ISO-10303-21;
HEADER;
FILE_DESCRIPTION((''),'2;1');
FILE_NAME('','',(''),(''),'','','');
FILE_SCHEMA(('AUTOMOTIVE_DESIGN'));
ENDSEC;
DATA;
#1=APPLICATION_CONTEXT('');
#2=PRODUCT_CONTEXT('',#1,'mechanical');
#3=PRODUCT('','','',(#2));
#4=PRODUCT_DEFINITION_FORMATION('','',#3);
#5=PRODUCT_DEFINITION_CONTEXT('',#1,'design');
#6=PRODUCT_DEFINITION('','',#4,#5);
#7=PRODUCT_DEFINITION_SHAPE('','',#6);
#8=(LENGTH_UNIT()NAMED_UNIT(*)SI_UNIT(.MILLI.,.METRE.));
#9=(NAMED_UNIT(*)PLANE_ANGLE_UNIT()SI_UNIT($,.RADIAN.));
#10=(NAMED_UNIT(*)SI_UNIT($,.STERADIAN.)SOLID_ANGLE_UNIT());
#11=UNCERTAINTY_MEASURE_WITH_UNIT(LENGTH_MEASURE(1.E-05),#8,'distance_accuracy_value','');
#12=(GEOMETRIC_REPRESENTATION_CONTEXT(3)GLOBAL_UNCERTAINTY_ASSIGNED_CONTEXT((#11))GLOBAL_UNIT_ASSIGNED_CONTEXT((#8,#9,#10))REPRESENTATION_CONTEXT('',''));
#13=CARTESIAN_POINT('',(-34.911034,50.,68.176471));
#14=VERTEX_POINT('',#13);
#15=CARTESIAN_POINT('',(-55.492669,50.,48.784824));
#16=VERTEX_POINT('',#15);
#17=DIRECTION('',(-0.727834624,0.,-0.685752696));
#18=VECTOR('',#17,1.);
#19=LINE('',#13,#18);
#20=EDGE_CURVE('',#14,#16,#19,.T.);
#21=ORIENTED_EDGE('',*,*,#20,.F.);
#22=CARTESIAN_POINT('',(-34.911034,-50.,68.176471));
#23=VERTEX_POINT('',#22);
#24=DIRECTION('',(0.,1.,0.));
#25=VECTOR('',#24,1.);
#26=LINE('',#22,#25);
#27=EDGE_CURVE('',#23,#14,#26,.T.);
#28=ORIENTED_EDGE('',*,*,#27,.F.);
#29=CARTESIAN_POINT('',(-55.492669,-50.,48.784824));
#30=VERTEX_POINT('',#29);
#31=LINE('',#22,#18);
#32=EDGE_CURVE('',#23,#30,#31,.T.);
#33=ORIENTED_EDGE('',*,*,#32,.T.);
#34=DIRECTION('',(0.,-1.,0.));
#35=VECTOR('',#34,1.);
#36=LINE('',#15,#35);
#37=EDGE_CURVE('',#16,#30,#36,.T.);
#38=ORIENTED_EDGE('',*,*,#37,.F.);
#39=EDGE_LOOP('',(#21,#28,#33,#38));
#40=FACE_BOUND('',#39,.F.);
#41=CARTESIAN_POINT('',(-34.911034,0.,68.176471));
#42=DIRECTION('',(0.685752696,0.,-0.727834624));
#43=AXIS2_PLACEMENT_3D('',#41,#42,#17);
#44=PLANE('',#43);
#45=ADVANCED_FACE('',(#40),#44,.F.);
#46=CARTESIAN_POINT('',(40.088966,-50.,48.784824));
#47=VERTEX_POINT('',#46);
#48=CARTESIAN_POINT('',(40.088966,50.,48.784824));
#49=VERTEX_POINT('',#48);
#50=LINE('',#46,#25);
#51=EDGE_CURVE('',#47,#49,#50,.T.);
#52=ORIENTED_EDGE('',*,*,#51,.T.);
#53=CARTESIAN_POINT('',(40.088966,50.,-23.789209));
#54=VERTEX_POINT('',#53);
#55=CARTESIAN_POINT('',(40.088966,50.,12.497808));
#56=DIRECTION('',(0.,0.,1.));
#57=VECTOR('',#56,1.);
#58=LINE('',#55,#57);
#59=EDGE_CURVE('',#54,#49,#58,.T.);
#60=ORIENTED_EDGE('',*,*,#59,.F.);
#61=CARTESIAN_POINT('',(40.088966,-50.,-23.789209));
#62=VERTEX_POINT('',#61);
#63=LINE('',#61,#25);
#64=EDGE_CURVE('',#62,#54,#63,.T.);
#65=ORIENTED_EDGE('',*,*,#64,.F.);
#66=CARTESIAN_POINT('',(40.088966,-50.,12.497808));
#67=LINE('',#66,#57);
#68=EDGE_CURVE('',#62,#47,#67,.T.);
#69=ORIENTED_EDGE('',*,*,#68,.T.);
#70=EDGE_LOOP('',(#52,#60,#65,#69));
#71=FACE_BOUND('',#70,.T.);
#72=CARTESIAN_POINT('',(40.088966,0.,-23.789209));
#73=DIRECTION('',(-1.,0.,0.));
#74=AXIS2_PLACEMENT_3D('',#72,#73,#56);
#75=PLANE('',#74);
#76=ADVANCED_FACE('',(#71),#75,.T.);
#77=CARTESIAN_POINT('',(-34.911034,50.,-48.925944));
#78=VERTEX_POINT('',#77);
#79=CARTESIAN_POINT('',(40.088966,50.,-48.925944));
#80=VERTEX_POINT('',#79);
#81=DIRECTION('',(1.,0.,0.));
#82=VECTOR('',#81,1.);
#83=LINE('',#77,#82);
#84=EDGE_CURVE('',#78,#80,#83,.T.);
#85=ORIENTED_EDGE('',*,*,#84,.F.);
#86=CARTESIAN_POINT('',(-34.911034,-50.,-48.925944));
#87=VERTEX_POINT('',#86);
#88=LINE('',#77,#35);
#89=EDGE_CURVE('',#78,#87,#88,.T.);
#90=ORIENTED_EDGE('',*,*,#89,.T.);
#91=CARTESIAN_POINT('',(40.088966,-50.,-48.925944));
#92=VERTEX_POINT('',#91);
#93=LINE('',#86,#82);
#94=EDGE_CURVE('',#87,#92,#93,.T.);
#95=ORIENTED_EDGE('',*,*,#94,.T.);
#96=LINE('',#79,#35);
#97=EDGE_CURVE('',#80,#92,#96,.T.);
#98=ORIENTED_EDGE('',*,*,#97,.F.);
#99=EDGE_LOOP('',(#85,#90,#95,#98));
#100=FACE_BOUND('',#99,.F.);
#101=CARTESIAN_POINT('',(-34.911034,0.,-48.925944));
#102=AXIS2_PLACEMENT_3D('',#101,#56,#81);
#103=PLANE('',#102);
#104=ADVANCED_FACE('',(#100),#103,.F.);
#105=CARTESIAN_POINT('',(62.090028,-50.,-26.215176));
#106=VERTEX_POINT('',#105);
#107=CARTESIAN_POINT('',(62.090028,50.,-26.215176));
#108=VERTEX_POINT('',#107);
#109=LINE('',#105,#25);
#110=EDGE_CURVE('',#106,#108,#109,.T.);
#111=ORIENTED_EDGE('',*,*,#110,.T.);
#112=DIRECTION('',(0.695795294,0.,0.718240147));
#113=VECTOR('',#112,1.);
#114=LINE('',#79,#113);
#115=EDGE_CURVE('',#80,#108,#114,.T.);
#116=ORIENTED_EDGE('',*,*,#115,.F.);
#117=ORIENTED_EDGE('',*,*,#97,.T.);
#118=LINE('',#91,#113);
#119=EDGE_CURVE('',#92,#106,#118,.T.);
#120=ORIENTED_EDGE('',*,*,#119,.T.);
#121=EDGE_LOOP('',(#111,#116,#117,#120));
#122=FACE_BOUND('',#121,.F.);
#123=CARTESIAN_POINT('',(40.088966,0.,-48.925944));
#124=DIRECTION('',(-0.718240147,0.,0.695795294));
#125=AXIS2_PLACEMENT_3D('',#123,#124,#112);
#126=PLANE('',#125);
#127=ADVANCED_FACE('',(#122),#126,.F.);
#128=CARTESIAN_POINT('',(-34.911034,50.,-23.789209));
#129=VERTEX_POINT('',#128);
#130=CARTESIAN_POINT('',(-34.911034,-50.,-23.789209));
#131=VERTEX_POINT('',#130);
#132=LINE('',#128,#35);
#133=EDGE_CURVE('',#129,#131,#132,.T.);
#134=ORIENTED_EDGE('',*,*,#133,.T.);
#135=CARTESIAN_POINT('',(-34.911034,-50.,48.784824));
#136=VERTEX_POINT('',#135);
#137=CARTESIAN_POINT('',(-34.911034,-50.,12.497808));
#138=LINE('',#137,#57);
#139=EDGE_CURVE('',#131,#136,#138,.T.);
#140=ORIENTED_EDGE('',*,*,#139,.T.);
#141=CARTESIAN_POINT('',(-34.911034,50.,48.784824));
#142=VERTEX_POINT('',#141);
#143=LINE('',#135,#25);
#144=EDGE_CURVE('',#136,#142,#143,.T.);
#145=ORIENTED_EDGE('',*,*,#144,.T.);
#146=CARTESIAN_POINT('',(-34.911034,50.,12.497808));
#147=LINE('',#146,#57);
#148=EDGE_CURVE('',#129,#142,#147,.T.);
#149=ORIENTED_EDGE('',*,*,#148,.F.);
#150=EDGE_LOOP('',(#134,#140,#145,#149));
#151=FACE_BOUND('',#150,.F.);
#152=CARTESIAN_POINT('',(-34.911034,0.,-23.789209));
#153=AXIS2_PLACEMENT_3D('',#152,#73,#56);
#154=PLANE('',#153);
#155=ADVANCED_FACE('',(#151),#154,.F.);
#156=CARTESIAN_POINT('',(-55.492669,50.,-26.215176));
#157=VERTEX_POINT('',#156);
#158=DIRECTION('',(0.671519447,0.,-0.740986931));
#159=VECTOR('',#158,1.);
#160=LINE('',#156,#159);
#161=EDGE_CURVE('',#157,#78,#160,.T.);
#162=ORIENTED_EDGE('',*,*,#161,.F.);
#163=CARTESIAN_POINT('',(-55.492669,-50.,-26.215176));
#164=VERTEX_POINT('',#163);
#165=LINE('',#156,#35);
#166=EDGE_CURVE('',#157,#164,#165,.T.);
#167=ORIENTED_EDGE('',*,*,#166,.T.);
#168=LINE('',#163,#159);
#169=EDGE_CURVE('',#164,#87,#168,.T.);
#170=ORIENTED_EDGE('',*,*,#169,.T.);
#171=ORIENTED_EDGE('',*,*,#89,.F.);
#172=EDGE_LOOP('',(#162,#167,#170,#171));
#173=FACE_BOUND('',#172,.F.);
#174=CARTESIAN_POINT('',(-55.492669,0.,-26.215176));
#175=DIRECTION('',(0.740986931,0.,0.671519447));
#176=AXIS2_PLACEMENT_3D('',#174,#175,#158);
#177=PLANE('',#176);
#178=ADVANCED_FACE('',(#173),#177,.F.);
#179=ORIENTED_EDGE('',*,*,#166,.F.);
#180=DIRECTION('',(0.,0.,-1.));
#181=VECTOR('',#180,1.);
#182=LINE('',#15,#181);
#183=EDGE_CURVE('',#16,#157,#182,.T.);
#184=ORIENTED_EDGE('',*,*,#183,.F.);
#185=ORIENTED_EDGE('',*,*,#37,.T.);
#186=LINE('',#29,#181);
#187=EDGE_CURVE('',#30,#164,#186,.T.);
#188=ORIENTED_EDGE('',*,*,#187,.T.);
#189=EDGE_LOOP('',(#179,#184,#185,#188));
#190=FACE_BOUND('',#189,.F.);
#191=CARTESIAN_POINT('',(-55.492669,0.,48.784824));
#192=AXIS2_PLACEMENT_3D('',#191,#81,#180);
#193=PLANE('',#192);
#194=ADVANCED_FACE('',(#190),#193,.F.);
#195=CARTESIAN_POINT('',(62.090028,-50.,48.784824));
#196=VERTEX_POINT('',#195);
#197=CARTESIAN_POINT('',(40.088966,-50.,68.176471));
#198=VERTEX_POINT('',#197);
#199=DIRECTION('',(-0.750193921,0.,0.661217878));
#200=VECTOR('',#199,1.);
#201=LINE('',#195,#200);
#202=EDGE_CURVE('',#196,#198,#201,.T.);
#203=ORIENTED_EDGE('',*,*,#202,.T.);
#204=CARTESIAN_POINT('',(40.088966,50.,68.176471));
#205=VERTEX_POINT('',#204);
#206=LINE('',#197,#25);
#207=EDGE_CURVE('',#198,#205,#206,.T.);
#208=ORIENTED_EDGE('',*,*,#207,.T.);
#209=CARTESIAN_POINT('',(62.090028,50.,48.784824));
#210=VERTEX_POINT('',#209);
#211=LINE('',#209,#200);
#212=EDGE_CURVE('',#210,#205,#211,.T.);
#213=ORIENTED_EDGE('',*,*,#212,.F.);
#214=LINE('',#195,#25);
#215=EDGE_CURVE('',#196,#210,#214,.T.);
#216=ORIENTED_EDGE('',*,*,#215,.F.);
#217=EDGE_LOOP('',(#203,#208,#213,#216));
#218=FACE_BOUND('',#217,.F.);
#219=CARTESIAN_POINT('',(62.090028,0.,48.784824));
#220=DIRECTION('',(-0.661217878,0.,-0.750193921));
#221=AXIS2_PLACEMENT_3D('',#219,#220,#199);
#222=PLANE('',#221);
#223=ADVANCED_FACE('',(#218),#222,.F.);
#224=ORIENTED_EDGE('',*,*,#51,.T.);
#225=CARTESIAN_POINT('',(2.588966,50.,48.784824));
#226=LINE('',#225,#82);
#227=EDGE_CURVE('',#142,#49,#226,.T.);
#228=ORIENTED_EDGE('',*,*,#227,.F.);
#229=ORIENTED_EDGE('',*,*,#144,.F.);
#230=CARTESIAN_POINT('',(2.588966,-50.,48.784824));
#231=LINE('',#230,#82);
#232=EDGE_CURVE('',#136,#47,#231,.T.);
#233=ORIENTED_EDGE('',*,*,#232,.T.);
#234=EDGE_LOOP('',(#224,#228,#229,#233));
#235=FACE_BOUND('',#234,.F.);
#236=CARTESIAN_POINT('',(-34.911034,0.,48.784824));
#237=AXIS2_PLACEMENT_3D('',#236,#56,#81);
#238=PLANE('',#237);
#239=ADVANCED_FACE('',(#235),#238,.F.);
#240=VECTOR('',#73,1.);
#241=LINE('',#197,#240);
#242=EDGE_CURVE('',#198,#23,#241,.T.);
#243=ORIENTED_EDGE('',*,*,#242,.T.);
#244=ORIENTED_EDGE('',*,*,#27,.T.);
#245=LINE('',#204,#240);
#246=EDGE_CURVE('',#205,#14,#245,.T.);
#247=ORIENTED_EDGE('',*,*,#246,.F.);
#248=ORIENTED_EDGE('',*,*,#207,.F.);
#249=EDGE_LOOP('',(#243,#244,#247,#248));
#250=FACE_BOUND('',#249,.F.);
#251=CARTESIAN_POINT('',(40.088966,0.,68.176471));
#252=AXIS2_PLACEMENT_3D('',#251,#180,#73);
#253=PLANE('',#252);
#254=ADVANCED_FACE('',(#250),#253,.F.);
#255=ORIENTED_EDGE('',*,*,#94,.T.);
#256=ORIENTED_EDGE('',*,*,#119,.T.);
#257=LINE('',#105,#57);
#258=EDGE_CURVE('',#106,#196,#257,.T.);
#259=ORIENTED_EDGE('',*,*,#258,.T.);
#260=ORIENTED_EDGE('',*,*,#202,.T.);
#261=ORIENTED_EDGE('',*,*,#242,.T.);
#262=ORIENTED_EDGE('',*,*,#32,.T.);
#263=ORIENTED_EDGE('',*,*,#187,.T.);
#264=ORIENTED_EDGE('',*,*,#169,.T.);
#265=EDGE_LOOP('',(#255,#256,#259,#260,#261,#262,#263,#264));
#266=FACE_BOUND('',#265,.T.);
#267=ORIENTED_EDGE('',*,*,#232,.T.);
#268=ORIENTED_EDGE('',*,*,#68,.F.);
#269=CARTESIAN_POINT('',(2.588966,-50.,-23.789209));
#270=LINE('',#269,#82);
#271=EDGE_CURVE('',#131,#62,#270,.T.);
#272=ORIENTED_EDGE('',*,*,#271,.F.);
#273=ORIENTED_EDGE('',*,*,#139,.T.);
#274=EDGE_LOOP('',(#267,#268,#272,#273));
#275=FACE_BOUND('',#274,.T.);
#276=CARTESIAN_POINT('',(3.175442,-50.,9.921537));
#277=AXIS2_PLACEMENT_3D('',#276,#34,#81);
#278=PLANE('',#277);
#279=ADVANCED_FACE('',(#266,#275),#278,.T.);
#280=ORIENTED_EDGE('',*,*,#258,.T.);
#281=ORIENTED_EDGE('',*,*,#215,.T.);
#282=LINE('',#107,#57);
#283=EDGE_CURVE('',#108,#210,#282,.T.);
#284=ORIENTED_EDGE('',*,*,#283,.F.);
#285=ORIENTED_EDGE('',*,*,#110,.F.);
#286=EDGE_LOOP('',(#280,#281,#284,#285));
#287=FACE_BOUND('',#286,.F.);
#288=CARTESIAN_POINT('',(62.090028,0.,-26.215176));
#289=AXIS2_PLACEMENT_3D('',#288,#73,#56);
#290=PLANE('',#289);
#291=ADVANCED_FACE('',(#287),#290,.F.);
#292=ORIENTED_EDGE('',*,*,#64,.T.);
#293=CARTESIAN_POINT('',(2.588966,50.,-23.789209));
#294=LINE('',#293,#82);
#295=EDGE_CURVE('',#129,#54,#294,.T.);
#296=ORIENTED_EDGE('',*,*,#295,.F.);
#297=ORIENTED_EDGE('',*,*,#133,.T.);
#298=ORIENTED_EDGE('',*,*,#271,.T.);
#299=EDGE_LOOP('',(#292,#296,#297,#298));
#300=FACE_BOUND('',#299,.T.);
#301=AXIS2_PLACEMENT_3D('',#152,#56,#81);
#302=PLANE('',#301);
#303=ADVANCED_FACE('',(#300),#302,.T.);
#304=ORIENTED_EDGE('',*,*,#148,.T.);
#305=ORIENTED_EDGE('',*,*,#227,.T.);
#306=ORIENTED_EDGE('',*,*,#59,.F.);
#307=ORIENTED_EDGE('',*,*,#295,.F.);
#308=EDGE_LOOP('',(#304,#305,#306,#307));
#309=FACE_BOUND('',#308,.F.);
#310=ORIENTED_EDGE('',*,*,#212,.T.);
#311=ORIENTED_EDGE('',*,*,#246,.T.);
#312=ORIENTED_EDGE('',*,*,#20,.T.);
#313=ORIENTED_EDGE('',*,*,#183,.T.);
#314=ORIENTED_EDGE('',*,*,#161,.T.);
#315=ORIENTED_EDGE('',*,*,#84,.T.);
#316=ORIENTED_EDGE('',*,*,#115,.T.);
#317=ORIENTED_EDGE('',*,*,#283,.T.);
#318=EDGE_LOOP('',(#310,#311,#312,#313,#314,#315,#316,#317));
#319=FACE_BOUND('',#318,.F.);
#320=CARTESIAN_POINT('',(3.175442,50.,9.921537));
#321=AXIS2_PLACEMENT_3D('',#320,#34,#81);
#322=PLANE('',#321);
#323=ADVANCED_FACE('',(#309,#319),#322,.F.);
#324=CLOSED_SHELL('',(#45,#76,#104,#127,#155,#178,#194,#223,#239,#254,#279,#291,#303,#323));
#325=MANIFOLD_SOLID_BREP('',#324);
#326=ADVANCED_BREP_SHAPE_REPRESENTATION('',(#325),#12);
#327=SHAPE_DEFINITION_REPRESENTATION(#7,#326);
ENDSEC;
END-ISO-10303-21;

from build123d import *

# Parameters (mm, degrees)
F0_W          = 75
F0_H          = 72.5740331761
F1_DEPTH      = 50
F1_DEPTH_BACK = 50


with BuildPart() as f1:
    # F0 (on Front) → F1 (new body, two sides)
    with BuildSketch(Plane.XZ) as f1_sk:
        Polygon((-34.9110340909, 68.1764709135), (-55.4926691404, 48.7848244566), (-55.4926691404, -26.2151755434), (-34.9110340909, -48.9259438893), (40.0889659091, -48.9259438893), (62.090027551, -26.2151755434), (62.090027551, 48.7848244566), (40.0889659091, 68.1764709135), align=None)
        with Locations((2.5889659091, 12.4978078685)):
            Rectangle(F0_W, F0_H, mode=Mode.SUBTRACT)
    extrude(amount=-F1_DEPTH)
    extrude(f1_sk.sketch, amount=F1_DEPTH_BACK)


solid = f1.part
